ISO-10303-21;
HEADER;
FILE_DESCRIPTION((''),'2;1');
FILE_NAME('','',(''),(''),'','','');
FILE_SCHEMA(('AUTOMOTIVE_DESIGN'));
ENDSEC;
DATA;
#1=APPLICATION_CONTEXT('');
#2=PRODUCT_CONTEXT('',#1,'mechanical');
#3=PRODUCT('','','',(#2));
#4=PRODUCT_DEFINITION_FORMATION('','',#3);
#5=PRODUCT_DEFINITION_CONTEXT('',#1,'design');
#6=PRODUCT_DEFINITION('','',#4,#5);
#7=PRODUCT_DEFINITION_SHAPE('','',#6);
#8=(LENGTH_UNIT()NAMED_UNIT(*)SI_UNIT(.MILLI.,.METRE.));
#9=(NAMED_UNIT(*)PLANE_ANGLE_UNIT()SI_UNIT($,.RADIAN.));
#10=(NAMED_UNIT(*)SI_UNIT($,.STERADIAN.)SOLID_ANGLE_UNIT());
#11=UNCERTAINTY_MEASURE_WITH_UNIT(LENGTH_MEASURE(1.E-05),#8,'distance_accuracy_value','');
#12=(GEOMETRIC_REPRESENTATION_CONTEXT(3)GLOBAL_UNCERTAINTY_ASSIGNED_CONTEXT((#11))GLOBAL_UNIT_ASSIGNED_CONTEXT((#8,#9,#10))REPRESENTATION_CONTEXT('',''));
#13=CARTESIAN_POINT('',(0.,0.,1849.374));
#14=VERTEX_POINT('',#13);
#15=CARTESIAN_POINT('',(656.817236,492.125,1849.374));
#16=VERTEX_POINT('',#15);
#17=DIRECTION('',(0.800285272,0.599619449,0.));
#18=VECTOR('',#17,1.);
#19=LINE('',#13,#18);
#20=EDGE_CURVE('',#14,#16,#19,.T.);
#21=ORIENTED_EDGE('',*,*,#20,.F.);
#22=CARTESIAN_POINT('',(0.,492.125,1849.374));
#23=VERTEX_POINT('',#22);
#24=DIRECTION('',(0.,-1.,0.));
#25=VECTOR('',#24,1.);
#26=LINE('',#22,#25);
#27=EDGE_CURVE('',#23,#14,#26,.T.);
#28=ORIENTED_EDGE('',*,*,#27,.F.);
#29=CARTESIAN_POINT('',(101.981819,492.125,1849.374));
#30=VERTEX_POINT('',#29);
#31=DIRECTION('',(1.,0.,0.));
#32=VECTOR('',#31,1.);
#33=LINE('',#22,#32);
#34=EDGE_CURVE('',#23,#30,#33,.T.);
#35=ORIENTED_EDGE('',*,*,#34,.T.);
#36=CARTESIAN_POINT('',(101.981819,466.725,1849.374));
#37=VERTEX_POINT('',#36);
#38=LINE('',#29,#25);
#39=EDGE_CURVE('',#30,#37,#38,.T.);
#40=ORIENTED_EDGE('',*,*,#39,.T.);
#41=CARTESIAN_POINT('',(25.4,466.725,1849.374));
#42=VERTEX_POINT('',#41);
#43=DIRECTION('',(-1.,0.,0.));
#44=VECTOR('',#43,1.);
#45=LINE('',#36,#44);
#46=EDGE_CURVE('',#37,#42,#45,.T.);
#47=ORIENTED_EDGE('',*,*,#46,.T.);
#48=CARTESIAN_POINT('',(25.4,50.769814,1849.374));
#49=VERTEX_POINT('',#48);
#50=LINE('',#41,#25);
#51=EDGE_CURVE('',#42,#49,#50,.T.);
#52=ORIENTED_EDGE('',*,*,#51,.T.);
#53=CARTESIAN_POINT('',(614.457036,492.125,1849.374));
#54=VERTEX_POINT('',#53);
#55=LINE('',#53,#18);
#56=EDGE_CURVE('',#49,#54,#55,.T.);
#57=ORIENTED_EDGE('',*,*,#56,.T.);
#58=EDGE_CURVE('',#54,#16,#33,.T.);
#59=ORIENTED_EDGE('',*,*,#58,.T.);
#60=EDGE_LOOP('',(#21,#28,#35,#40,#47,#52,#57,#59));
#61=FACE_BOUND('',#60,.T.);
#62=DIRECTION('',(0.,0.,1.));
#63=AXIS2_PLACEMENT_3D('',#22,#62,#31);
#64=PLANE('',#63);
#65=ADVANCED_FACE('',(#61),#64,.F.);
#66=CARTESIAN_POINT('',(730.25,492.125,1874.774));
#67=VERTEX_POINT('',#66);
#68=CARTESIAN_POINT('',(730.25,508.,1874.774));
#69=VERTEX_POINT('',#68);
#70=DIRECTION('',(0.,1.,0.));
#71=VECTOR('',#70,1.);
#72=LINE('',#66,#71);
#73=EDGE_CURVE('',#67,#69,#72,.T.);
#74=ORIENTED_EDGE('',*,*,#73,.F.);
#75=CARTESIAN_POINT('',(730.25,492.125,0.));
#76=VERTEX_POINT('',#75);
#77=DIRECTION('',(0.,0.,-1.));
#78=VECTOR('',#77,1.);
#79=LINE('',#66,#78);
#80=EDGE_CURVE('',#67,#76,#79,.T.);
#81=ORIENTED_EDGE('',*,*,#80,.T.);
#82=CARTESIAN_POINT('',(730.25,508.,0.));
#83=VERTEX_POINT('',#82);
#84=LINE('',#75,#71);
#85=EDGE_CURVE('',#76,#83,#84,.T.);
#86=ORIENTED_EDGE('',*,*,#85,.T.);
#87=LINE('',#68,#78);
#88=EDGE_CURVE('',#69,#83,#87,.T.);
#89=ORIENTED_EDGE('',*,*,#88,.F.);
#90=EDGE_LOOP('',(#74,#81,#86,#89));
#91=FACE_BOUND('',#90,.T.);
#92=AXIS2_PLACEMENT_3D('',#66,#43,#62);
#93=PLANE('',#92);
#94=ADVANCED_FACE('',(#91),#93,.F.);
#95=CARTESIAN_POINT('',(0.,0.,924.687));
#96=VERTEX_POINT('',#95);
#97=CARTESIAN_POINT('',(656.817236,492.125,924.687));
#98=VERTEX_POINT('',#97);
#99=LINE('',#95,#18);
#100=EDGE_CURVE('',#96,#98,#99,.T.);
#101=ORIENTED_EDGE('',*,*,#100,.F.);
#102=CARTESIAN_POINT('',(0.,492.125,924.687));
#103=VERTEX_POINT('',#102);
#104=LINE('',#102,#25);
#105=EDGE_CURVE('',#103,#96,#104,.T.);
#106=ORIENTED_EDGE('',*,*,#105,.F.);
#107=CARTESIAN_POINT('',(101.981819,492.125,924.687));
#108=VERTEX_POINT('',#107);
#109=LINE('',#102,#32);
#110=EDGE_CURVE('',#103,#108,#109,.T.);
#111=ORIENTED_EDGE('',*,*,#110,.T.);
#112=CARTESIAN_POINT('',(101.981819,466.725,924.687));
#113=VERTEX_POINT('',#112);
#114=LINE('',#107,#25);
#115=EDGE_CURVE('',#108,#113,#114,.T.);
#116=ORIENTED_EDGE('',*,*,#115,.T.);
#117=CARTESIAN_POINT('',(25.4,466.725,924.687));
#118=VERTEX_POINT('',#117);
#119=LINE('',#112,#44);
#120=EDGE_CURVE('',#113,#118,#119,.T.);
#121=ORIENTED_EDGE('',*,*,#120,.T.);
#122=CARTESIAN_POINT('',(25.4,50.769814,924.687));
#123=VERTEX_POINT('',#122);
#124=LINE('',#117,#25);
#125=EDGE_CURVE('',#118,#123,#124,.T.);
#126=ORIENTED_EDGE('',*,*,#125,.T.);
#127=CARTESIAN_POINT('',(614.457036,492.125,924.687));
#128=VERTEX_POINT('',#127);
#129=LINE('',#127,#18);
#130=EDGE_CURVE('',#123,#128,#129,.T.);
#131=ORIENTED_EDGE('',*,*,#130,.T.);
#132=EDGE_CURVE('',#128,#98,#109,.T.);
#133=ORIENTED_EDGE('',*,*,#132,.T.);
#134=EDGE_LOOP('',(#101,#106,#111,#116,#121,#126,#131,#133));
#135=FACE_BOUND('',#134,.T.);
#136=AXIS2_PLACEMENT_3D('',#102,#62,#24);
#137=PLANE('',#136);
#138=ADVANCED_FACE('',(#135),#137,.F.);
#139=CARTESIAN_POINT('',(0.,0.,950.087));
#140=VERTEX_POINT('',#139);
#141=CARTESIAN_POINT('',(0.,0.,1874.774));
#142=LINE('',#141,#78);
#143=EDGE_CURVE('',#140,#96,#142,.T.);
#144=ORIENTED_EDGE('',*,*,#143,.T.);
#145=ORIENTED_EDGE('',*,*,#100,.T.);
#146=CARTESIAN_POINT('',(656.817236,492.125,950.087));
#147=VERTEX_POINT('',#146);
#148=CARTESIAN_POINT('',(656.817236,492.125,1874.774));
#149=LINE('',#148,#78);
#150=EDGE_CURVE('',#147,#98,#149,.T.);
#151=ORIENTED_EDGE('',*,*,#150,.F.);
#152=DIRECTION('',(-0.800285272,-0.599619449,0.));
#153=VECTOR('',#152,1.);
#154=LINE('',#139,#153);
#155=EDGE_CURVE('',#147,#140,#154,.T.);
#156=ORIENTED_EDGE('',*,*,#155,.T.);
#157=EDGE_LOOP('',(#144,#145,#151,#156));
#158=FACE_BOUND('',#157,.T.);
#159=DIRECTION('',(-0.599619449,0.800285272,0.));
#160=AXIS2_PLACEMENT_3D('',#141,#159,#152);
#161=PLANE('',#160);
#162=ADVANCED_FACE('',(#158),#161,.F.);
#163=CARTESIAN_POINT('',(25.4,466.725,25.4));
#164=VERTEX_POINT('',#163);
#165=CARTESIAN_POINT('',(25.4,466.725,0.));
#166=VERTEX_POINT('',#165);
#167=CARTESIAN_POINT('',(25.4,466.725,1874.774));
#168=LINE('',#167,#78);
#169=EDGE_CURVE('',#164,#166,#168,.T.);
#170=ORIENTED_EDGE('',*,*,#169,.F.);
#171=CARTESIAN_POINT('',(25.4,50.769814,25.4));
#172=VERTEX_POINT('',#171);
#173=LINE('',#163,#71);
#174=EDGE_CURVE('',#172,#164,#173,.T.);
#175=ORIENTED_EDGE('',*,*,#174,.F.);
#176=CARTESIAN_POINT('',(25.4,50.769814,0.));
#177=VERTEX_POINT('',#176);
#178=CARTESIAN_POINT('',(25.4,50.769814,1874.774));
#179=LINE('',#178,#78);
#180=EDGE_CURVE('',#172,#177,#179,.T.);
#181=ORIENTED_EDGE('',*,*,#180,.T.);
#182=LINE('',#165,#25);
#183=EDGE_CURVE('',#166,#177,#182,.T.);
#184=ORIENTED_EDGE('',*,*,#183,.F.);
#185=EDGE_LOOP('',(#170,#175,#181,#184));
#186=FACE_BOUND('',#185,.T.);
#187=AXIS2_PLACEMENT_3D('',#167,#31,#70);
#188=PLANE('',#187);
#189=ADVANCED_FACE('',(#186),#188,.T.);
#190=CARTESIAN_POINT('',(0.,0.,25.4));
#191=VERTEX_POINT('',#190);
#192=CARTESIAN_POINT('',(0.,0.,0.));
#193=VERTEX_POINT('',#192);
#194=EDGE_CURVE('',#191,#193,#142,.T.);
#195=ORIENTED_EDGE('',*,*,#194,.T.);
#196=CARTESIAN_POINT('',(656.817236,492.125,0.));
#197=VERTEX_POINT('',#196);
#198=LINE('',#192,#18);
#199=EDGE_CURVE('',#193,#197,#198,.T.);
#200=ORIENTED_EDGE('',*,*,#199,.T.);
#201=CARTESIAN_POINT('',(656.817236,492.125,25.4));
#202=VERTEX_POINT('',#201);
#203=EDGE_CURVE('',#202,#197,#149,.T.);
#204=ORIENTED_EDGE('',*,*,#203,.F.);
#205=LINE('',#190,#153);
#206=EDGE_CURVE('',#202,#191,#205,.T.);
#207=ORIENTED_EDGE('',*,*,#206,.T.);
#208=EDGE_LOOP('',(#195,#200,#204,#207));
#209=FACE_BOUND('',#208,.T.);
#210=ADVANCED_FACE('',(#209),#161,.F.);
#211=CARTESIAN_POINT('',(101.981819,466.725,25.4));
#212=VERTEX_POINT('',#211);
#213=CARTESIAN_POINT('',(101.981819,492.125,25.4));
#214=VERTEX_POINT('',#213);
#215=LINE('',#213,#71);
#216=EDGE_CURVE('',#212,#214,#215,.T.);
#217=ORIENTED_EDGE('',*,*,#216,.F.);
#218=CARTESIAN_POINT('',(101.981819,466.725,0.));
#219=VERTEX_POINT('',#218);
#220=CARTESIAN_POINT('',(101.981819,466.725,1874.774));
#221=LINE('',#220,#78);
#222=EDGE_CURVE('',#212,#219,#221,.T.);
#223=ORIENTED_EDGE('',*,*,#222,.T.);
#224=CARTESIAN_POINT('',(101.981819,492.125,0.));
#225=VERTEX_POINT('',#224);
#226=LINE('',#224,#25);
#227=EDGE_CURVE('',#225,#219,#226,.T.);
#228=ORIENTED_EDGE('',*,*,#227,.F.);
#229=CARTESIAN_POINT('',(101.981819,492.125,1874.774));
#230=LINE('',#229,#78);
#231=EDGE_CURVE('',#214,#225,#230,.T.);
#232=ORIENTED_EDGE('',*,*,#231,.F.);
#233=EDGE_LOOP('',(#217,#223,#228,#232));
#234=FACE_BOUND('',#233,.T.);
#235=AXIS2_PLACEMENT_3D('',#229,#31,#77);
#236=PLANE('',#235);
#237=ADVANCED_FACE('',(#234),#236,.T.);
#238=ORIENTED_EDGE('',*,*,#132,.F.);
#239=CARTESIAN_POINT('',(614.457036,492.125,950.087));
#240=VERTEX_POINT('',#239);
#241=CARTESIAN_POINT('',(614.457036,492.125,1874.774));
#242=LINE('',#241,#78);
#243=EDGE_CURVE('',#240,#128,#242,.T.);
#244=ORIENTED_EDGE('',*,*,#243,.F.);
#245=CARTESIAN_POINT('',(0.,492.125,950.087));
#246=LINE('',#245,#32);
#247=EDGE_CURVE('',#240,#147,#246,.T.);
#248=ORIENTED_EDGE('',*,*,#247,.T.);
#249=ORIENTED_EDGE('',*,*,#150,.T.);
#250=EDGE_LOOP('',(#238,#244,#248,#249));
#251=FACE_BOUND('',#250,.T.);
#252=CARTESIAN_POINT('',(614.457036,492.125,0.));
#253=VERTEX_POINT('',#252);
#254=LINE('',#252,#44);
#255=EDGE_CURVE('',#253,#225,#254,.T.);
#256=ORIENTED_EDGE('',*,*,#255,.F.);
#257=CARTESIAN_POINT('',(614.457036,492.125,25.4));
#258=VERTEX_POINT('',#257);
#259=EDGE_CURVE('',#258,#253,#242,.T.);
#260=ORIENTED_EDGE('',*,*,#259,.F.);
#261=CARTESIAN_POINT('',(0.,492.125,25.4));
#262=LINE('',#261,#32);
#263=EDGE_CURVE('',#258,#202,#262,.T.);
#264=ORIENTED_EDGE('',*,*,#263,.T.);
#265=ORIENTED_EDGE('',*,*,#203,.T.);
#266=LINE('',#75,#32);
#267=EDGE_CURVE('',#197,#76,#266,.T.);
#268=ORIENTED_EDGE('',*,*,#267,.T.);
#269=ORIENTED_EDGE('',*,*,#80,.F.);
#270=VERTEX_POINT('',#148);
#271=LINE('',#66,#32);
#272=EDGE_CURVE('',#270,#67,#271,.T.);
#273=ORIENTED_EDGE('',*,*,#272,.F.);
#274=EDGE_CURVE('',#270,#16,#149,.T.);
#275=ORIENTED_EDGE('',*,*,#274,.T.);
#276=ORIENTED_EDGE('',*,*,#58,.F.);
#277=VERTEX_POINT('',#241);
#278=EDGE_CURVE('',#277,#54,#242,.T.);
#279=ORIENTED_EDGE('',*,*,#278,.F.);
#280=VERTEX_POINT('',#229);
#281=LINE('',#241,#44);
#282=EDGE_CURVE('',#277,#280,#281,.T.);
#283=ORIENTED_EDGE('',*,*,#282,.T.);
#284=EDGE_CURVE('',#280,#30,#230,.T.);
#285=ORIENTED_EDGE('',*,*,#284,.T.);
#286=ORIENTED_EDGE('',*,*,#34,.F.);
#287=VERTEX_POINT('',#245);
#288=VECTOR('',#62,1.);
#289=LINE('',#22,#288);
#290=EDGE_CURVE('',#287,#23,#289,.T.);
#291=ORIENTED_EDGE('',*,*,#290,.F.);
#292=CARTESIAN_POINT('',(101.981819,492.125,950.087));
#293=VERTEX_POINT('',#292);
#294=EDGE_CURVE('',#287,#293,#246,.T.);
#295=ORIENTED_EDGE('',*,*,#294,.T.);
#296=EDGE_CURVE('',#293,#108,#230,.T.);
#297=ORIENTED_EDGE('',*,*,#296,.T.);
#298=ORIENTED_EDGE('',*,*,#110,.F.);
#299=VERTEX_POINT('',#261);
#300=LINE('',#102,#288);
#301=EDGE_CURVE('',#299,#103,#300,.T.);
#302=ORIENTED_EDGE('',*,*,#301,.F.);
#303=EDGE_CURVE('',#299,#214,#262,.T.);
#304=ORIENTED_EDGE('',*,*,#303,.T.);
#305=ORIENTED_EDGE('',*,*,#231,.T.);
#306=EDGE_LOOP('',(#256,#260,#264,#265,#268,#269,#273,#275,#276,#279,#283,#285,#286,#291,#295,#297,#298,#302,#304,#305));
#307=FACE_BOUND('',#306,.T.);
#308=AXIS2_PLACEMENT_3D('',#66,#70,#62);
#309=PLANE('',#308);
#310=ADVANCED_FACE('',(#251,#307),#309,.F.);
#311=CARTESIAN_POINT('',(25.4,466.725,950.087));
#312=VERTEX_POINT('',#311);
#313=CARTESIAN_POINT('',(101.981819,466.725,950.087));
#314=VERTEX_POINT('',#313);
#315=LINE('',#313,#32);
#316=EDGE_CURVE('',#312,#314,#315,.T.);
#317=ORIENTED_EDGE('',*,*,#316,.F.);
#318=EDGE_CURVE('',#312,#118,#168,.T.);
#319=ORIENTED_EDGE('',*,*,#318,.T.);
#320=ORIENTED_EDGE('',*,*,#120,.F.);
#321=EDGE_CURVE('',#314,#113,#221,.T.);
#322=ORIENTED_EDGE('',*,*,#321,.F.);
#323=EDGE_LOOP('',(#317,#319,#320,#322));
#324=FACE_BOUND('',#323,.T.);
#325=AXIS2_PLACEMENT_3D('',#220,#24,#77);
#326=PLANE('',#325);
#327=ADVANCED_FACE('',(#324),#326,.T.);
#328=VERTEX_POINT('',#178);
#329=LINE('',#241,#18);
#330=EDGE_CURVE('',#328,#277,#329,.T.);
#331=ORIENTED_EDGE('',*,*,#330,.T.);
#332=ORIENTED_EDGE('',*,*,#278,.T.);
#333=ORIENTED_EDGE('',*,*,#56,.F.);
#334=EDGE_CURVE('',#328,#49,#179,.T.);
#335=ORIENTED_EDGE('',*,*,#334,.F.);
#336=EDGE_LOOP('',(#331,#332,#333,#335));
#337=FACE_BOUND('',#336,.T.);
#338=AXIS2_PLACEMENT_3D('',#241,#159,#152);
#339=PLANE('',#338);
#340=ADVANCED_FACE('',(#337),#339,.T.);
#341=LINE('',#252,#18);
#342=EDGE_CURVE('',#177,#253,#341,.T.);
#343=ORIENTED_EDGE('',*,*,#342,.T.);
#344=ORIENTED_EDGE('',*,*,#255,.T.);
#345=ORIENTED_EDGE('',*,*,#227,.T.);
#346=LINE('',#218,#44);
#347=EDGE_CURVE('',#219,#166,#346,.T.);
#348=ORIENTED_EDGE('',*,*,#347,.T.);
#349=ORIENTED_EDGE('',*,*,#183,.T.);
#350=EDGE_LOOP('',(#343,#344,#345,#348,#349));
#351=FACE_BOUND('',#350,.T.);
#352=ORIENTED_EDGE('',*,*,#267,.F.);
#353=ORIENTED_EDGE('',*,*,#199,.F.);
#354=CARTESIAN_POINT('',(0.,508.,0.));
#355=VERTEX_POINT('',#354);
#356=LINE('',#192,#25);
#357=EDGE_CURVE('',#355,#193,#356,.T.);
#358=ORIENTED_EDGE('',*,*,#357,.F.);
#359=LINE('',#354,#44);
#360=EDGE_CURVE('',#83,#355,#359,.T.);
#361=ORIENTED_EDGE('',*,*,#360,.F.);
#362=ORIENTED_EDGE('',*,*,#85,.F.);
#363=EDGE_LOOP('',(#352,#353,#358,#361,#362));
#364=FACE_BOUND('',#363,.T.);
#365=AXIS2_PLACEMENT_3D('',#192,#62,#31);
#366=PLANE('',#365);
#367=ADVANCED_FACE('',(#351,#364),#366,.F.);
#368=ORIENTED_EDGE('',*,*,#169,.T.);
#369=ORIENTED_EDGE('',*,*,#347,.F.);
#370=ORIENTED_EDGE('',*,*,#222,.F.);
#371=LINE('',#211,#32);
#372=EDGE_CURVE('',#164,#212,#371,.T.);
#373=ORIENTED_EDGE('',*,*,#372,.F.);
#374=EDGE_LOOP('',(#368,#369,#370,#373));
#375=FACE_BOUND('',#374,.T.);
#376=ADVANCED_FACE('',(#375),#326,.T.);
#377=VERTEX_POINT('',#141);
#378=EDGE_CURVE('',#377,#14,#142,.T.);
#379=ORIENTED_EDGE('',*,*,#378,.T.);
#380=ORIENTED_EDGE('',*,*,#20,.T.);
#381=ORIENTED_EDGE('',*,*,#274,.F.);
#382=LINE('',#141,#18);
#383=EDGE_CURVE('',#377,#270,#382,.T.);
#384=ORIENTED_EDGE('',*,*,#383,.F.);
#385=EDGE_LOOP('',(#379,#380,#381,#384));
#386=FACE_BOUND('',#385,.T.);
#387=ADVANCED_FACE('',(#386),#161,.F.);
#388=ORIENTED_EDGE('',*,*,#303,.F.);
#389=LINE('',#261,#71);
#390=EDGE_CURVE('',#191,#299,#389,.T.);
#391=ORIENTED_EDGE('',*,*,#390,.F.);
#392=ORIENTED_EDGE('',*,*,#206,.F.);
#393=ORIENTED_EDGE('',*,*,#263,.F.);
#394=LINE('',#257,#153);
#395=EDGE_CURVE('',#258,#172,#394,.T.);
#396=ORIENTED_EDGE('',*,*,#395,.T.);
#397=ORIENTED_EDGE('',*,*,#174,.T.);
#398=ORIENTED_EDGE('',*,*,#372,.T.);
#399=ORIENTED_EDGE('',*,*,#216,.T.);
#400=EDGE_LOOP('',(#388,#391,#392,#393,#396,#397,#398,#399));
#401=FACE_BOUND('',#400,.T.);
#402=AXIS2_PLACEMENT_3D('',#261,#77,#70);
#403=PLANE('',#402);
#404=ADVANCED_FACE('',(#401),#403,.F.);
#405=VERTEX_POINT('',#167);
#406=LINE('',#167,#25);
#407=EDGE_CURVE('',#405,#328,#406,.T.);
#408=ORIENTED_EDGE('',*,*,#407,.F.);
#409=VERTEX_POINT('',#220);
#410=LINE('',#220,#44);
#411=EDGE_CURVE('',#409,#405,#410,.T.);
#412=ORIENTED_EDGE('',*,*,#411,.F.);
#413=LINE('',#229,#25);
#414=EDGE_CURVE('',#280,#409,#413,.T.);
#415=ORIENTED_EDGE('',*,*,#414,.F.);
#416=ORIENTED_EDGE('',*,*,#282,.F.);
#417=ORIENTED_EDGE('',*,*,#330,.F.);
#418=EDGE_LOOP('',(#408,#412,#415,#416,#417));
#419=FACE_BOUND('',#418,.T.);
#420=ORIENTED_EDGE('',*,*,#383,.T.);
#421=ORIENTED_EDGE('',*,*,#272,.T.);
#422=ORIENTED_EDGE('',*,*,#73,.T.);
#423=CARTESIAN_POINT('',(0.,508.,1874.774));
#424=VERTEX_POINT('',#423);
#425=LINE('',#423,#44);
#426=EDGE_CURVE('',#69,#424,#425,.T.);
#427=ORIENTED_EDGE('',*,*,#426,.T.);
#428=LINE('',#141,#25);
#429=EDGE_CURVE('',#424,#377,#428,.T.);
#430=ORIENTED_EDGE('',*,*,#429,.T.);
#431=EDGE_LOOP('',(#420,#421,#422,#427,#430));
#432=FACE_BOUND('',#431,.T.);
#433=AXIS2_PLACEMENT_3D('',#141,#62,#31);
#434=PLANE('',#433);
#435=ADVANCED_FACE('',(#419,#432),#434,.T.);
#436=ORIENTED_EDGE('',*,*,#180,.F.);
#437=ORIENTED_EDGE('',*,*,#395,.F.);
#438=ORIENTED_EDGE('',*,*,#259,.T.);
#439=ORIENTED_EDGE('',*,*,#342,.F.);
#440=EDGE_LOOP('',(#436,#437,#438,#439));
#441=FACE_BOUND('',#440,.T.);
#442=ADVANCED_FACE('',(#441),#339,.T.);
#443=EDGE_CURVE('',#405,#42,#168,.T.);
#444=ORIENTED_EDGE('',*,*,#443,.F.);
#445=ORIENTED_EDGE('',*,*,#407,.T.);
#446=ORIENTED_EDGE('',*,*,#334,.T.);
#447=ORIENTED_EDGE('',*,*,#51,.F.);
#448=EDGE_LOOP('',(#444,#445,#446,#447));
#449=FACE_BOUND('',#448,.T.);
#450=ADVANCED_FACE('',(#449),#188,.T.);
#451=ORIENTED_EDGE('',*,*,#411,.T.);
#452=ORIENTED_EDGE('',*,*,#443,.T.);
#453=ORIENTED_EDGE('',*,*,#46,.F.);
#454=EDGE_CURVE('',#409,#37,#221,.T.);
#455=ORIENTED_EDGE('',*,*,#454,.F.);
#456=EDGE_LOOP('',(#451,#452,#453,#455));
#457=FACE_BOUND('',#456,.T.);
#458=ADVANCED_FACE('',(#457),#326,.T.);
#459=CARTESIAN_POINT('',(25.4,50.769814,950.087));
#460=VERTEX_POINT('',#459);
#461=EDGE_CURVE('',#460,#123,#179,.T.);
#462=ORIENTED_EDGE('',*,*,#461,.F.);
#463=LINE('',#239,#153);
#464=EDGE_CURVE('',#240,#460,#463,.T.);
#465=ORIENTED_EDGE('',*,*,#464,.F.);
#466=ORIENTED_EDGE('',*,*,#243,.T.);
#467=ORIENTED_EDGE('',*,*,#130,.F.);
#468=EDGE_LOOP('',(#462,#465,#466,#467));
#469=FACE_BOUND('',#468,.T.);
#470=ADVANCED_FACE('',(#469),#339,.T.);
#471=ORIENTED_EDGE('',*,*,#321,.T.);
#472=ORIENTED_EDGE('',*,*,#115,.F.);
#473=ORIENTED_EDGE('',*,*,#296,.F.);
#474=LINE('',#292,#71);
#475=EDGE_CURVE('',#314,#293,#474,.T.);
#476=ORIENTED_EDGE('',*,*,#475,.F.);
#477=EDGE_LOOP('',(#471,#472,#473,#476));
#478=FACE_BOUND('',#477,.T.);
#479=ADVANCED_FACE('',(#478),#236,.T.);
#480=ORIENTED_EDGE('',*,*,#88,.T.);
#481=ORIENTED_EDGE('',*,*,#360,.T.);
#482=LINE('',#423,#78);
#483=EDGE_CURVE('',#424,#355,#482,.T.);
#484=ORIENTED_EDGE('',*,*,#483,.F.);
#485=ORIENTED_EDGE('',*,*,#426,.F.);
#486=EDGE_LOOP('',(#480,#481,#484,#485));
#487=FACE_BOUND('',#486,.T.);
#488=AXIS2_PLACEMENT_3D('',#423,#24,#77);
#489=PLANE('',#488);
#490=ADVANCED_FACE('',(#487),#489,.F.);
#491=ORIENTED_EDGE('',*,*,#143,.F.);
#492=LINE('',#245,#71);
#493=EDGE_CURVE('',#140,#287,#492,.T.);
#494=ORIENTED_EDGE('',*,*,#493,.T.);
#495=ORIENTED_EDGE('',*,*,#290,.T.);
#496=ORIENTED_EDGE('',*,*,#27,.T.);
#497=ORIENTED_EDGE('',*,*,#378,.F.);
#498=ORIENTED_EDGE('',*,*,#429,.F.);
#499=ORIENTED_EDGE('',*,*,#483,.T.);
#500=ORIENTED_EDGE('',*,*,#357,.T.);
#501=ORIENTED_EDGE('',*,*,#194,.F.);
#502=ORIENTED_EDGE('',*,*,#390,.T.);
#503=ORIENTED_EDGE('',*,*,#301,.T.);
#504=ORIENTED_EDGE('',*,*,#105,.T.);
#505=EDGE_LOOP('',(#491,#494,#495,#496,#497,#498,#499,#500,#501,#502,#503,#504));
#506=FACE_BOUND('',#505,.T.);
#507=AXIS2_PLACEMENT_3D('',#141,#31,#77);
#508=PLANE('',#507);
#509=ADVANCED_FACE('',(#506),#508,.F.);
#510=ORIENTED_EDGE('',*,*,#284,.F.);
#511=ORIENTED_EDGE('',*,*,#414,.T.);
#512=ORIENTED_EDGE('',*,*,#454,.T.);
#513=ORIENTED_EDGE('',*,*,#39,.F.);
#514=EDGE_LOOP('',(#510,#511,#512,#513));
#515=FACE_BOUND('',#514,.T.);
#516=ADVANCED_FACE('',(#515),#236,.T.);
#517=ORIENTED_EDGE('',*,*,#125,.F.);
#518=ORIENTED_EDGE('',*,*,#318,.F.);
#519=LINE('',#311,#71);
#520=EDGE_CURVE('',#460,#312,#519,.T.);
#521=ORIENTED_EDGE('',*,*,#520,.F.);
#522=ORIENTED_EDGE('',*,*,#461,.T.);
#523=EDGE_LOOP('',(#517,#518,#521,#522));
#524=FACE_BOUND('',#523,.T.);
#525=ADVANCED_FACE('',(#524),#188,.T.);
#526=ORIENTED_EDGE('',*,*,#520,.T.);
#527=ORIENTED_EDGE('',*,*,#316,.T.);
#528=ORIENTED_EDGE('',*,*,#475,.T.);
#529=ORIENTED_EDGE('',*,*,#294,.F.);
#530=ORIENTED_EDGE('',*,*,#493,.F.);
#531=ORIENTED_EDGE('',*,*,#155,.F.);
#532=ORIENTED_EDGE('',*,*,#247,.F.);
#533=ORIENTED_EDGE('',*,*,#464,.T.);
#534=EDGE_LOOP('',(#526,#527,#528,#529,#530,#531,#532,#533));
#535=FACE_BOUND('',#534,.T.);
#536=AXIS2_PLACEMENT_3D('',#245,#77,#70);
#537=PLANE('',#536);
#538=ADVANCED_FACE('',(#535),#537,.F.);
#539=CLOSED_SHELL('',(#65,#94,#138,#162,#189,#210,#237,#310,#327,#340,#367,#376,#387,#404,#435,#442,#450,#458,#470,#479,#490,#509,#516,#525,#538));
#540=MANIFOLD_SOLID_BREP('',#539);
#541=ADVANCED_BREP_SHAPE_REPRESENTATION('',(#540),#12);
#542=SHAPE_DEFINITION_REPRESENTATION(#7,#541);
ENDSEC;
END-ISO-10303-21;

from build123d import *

# Parameters (mm, degrees)
BOSS_EXTRUDE1_DEPTH = 1874.774
SKETCH2_W           = 899.287
SKETCH2_H           = 492.125
CUT_EXTRUDE1_DEPTH  = 731.25


with BuildPart() as part:
    # Sketch1 → Boss-Extrude1 (new body)
    with BuildSketch(Plane.XY):
        Polygon((730.25, 492.125), (656.817236389, 492.125), (0, 0), (0, 508), (730.25, 508), align=None)
        Polygon((101.981819436, 492.125), (101.981819436, 466.725), (25.4, 466.725), (25.4, 50.769813509), (614.457036031, 492.125), align=None, mode=Mode.SUBTRACT)
    extrude(amount=BOSS_EXTRUDE1_DEPTH)

    # Sketch2 → Cut-Extrude1 (cut, through all)
    with BuildSketch(Plane(origin=(730.25, 0, 0), x_dir=(0, 0, -1), z_dir=(1, 0, 0))):
        with Locations((-1399.7305, 246.0625)):
            Rectangle(SKETCH2_W, SKETCH2_H)
        with Locations((-475.0435, 246.0625)):
            Rectangle(SKETCH2_W, SKETCH2_H)
    extrude(amount=-CUT_EXTRUDE1_DEPTH, mode=Mode.SUBTRACT)


solid = part.part
